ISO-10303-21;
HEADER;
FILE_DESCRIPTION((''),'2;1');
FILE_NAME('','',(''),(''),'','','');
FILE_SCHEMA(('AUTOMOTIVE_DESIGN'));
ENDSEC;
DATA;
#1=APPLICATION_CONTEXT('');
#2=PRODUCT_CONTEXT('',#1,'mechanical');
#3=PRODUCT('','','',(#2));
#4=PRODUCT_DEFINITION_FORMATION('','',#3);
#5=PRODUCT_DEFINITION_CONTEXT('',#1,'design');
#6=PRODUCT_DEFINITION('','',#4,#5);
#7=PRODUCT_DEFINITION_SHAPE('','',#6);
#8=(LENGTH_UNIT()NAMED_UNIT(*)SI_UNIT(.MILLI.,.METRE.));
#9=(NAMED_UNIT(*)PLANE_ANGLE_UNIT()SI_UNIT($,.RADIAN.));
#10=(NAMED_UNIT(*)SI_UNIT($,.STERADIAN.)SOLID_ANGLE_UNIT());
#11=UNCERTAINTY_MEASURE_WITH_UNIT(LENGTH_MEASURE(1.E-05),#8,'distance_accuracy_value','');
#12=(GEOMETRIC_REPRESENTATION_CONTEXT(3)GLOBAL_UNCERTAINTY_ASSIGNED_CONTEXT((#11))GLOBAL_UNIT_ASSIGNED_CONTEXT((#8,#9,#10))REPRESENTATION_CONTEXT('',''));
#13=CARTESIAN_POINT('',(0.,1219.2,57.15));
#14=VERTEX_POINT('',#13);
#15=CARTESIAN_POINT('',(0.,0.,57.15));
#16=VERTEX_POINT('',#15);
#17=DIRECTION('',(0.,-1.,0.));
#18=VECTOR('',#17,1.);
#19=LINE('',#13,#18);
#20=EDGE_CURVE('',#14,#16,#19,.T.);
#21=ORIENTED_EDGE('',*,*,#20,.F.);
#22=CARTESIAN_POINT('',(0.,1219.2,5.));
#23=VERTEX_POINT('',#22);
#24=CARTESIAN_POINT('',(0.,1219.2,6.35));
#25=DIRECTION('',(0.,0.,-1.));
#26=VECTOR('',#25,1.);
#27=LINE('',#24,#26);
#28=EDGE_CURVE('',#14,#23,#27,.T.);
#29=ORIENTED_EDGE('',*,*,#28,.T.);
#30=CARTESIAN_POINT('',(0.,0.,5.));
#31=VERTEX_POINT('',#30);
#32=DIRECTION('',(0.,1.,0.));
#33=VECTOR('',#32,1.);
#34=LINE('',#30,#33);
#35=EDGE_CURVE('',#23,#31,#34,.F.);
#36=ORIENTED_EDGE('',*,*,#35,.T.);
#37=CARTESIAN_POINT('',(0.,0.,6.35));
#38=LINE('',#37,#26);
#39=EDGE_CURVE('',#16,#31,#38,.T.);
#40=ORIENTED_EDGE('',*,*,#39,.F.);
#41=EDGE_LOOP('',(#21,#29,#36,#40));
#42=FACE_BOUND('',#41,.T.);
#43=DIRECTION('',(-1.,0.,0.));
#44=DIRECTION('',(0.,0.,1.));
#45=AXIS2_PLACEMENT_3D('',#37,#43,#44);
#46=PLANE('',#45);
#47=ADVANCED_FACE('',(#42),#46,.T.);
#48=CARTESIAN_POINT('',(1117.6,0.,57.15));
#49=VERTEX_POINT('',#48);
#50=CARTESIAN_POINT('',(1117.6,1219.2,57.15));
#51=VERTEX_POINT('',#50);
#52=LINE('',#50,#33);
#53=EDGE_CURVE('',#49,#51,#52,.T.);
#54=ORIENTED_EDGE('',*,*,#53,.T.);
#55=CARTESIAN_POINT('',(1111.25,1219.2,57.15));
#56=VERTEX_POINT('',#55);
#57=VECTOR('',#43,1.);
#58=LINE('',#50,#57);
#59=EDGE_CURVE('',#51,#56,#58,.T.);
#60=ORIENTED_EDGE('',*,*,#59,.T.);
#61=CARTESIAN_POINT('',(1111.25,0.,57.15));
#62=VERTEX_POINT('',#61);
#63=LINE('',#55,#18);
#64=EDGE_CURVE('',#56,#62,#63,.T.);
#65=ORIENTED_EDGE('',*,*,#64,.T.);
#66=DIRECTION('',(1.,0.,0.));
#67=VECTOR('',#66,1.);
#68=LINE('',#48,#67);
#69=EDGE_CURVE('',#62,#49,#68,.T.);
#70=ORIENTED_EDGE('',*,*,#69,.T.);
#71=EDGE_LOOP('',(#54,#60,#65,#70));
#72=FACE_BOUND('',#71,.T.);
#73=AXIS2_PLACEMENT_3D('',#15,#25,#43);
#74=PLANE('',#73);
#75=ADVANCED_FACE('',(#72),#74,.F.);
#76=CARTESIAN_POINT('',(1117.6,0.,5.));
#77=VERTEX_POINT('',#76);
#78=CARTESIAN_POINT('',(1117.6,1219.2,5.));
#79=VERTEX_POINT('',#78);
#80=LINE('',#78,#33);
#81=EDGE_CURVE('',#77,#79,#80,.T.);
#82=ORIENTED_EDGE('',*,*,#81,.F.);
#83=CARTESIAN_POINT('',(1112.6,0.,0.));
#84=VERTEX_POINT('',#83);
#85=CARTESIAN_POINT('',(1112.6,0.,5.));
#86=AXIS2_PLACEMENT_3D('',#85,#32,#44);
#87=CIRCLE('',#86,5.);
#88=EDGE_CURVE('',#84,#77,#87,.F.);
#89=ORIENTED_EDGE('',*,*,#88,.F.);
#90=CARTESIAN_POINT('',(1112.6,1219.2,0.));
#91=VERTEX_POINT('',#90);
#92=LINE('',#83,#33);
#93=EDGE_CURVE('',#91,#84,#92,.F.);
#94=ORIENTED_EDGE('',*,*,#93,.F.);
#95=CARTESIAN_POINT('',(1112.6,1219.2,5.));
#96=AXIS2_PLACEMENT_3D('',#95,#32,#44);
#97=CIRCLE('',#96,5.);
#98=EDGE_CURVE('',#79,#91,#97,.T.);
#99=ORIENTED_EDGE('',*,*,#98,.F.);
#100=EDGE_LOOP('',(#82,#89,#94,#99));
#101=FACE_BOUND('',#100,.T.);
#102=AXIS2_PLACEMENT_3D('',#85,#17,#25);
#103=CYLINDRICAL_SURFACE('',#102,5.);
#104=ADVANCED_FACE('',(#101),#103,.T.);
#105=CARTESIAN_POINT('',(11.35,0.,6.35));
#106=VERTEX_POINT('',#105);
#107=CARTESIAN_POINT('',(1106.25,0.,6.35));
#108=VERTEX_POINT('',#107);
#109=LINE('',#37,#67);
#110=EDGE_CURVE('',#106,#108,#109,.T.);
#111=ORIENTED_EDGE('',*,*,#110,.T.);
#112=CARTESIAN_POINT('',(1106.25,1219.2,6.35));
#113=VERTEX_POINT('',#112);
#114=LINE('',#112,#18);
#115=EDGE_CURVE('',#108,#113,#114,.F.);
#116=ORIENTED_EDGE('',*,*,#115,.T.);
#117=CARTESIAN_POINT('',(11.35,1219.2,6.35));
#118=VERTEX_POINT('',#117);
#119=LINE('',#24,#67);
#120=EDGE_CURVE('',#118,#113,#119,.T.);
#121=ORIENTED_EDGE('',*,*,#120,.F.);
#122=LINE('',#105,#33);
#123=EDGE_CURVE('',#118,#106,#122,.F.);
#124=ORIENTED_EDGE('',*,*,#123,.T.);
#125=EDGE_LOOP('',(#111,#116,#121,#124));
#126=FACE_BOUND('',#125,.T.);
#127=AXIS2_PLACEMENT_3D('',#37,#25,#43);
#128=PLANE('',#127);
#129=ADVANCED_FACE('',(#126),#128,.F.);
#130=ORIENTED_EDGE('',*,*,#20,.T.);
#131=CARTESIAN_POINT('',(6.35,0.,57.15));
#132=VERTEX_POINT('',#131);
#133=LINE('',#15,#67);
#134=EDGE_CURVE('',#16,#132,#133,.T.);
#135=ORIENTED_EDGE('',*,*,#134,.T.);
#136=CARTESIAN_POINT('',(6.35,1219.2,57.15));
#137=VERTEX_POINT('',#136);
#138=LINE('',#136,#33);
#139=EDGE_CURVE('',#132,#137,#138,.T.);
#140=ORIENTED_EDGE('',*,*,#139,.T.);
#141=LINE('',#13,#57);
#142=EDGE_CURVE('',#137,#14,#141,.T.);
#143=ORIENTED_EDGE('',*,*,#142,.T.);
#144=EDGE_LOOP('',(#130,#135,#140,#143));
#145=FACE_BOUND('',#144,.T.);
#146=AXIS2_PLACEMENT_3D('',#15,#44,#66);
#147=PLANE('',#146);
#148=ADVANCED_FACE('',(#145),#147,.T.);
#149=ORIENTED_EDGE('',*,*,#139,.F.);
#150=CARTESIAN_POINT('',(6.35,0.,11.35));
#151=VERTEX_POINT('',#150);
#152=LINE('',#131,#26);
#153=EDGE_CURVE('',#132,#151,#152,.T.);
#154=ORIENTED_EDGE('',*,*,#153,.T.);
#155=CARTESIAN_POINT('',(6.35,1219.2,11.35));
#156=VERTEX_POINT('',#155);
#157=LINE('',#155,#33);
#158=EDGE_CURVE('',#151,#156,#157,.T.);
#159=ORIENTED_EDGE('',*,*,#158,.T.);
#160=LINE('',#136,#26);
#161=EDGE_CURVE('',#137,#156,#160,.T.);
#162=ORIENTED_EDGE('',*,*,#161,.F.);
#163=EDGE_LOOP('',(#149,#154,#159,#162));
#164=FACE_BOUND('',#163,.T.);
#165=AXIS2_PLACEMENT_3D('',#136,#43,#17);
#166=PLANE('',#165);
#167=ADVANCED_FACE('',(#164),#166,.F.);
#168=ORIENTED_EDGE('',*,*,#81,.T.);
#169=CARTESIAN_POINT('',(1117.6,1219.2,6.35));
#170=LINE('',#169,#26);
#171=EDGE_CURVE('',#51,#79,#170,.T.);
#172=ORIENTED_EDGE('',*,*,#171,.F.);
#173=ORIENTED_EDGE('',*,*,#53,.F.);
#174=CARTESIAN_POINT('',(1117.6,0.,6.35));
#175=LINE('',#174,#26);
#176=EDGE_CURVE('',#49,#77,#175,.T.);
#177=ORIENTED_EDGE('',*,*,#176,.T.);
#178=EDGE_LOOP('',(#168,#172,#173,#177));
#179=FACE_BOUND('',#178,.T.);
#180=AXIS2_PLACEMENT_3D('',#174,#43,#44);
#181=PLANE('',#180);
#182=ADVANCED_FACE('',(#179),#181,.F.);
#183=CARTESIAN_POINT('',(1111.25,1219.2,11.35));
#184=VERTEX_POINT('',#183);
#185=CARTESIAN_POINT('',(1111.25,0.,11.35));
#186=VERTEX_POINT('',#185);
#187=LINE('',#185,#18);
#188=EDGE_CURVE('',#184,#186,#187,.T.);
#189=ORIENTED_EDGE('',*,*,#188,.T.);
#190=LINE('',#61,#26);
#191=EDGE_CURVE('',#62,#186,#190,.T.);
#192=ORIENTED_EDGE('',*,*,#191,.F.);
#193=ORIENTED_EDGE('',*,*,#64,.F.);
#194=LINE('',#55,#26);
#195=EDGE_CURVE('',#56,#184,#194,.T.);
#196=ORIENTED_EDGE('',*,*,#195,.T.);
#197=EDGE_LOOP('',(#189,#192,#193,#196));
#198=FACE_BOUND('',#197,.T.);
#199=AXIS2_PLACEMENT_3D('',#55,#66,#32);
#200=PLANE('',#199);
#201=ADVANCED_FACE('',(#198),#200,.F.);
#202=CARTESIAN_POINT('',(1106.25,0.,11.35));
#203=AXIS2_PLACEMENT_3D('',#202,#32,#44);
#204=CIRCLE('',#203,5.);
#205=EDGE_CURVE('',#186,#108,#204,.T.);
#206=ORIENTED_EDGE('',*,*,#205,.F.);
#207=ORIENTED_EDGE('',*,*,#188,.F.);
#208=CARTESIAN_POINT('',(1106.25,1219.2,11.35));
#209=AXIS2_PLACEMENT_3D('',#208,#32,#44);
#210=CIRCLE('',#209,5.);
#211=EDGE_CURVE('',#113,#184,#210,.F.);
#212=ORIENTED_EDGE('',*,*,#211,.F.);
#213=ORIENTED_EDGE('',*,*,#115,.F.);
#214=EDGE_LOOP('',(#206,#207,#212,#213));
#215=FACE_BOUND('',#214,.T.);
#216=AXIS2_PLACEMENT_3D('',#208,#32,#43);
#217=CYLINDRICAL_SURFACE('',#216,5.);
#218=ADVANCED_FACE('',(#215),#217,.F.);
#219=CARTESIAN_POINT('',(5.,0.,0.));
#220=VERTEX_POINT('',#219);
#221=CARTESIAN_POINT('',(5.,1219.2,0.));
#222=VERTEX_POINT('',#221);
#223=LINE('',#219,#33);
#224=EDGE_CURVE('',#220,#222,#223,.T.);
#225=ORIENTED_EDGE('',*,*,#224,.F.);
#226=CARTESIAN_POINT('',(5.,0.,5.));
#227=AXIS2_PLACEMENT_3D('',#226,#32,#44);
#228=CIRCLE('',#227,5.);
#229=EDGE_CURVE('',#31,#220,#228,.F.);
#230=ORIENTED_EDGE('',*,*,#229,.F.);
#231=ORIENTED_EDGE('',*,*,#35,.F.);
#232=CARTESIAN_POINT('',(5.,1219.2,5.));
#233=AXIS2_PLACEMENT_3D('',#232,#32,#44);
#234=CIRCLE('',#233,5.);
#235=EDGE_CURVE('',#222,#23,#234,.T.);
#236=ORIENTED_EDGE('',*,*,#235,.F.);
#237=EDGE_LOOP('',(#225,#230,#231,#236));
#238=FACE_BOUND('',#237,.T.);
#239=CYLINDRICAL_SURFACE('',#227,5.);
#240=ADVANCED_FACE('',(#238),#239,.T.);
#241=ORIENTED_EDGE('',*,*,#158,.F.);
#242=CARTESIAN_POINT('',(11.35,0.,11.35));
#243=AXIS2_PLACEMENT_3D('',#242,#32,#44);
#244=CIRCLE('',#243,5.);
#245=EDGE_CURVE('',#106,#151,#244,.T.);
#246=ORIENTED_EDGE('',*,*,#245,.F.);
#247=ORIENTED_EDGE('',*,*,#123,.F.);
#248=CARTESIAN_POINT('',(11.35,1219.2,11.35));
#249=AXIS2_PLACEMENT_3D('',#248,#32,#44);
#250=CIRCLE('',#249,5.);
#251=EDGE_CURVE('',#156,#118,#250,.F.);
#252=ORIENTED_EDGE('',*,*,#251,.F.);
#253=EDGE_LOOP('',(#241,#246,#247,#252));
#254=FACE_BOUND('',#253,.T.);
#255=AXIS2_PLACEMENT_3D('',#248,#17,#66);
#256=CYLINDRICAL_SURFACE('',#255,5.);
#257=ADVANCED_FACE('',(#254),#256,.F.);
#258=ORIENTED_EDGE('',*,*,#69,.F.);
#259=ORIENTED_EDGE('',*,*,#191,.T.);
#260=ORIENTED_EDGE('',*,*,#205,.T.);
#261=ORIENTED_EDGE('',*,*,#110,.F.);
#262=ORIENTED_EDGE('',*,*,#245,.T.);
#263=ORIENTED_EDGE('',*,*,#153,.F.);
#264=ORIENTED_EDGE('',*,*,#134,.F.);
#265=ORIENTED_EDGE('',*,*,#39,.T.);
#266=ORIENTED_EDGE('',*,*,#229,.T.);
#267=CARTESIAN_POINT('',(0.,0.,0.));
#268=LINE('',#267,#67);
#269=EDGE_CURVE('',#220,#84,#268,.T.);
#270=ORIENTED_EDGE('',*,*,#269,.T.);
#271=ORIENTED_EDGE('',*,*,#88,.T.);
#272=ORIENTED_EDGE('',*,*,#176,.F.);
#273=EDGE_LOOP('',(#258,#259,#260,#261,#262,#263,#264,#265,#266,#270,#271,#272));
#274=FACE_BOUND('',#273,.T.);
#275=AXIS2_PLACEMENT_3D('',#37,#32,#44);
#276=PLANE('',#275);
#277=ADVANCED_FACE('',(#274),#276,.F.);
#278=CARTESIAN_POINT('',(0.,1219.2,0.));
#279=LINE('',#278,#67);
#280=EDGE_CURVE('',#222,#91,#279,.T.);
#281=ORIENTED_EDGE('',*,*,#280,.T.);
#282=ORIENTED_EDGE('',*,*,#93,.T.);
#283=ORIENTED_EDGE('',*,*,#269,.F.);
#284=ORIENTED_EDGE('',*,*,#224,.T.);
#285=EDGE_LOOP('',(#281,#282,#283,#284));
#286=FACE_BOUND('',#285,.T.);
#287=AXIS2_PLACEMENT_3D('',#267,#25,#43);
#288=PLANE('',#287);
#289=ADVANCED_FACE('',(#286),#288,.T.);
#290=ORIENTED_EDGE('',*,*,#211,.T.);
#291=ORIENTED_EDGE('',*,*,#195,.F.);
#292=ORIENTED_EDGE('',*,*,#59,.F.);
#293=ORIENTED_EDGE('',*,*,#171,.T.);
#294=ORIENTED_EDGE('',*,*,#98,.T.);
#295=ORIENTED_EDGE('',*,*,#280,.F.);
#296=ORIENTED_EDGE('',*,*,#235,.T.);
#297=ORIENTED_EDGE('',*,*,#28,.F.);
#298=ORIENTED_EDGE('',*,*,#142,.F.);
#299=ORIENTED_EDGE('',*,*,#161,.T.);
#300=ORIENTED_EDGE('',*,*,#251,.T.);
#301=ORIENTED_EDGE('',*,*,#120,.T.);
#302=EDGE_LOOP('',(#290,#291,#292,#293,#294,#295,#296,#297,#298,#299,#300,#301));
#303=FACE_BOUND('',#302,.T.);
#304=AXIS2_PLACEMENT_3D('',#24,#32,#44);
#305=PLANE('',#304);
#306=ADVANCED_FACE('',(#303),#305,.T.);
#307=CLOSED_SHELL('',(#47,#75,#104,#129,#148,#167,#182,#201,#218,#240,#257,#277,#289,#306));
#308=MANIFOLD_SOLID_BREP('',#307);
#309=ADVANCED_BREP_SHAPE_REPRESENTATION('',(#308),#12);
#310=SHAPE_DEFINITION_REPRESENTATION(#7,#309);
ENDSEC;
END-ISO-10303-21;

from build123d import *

# Parameters (mm, degrees)
SKETCH1_W           = 1117.6
SKETCH1_H           = 1219.2
BOSS_EXTRUDE1_DEPTH = 6.35
SKETCH2_W           = 6.35
SKETCH2_H           = 1219.2
BOSS_EXTRUDE2_DEPTH = 50.8
FILLET1_R           = 5


with BuildPart() as part:
    # Sketch1 → Boss-Extrude1 (new body)
    with BuildSketch(Plane.XY):
        with Locations((558.8, 609.6)):
            Rectangle(SKETCH1_W, SKETCH1_H)
    extrude(amount=BOSS_EXTRUDE1_DEPTH)

    # Sketch2 → Boss-Extrude2 (add)
    with BuildSketch(Plane.XY.offset(6.35)):
        with Locations((3.175, 609.6)):
            Rectangle(SKETCH2_W, SKETCH2_H)
        with Locations((1114.425, 609.6)):
            Rectangle(SKETCH2_W, SKETCH2_H)
    extrude(amount=BOSS_EXTRUDE2_DEPTH)

    # Fillet1
    fillet1_edges = [part.edges().sort_by_distance(p)[0] for p in [
        (6.35, 609.6, 6.35),
        (1111.25, 609.6, 6.35),
        (1117.6, 609.6, 0),
        (0, 609.6, 0),
    ]]
    fillet(fillet1_edges, radius=FILLET1_R)


solid = part.part
